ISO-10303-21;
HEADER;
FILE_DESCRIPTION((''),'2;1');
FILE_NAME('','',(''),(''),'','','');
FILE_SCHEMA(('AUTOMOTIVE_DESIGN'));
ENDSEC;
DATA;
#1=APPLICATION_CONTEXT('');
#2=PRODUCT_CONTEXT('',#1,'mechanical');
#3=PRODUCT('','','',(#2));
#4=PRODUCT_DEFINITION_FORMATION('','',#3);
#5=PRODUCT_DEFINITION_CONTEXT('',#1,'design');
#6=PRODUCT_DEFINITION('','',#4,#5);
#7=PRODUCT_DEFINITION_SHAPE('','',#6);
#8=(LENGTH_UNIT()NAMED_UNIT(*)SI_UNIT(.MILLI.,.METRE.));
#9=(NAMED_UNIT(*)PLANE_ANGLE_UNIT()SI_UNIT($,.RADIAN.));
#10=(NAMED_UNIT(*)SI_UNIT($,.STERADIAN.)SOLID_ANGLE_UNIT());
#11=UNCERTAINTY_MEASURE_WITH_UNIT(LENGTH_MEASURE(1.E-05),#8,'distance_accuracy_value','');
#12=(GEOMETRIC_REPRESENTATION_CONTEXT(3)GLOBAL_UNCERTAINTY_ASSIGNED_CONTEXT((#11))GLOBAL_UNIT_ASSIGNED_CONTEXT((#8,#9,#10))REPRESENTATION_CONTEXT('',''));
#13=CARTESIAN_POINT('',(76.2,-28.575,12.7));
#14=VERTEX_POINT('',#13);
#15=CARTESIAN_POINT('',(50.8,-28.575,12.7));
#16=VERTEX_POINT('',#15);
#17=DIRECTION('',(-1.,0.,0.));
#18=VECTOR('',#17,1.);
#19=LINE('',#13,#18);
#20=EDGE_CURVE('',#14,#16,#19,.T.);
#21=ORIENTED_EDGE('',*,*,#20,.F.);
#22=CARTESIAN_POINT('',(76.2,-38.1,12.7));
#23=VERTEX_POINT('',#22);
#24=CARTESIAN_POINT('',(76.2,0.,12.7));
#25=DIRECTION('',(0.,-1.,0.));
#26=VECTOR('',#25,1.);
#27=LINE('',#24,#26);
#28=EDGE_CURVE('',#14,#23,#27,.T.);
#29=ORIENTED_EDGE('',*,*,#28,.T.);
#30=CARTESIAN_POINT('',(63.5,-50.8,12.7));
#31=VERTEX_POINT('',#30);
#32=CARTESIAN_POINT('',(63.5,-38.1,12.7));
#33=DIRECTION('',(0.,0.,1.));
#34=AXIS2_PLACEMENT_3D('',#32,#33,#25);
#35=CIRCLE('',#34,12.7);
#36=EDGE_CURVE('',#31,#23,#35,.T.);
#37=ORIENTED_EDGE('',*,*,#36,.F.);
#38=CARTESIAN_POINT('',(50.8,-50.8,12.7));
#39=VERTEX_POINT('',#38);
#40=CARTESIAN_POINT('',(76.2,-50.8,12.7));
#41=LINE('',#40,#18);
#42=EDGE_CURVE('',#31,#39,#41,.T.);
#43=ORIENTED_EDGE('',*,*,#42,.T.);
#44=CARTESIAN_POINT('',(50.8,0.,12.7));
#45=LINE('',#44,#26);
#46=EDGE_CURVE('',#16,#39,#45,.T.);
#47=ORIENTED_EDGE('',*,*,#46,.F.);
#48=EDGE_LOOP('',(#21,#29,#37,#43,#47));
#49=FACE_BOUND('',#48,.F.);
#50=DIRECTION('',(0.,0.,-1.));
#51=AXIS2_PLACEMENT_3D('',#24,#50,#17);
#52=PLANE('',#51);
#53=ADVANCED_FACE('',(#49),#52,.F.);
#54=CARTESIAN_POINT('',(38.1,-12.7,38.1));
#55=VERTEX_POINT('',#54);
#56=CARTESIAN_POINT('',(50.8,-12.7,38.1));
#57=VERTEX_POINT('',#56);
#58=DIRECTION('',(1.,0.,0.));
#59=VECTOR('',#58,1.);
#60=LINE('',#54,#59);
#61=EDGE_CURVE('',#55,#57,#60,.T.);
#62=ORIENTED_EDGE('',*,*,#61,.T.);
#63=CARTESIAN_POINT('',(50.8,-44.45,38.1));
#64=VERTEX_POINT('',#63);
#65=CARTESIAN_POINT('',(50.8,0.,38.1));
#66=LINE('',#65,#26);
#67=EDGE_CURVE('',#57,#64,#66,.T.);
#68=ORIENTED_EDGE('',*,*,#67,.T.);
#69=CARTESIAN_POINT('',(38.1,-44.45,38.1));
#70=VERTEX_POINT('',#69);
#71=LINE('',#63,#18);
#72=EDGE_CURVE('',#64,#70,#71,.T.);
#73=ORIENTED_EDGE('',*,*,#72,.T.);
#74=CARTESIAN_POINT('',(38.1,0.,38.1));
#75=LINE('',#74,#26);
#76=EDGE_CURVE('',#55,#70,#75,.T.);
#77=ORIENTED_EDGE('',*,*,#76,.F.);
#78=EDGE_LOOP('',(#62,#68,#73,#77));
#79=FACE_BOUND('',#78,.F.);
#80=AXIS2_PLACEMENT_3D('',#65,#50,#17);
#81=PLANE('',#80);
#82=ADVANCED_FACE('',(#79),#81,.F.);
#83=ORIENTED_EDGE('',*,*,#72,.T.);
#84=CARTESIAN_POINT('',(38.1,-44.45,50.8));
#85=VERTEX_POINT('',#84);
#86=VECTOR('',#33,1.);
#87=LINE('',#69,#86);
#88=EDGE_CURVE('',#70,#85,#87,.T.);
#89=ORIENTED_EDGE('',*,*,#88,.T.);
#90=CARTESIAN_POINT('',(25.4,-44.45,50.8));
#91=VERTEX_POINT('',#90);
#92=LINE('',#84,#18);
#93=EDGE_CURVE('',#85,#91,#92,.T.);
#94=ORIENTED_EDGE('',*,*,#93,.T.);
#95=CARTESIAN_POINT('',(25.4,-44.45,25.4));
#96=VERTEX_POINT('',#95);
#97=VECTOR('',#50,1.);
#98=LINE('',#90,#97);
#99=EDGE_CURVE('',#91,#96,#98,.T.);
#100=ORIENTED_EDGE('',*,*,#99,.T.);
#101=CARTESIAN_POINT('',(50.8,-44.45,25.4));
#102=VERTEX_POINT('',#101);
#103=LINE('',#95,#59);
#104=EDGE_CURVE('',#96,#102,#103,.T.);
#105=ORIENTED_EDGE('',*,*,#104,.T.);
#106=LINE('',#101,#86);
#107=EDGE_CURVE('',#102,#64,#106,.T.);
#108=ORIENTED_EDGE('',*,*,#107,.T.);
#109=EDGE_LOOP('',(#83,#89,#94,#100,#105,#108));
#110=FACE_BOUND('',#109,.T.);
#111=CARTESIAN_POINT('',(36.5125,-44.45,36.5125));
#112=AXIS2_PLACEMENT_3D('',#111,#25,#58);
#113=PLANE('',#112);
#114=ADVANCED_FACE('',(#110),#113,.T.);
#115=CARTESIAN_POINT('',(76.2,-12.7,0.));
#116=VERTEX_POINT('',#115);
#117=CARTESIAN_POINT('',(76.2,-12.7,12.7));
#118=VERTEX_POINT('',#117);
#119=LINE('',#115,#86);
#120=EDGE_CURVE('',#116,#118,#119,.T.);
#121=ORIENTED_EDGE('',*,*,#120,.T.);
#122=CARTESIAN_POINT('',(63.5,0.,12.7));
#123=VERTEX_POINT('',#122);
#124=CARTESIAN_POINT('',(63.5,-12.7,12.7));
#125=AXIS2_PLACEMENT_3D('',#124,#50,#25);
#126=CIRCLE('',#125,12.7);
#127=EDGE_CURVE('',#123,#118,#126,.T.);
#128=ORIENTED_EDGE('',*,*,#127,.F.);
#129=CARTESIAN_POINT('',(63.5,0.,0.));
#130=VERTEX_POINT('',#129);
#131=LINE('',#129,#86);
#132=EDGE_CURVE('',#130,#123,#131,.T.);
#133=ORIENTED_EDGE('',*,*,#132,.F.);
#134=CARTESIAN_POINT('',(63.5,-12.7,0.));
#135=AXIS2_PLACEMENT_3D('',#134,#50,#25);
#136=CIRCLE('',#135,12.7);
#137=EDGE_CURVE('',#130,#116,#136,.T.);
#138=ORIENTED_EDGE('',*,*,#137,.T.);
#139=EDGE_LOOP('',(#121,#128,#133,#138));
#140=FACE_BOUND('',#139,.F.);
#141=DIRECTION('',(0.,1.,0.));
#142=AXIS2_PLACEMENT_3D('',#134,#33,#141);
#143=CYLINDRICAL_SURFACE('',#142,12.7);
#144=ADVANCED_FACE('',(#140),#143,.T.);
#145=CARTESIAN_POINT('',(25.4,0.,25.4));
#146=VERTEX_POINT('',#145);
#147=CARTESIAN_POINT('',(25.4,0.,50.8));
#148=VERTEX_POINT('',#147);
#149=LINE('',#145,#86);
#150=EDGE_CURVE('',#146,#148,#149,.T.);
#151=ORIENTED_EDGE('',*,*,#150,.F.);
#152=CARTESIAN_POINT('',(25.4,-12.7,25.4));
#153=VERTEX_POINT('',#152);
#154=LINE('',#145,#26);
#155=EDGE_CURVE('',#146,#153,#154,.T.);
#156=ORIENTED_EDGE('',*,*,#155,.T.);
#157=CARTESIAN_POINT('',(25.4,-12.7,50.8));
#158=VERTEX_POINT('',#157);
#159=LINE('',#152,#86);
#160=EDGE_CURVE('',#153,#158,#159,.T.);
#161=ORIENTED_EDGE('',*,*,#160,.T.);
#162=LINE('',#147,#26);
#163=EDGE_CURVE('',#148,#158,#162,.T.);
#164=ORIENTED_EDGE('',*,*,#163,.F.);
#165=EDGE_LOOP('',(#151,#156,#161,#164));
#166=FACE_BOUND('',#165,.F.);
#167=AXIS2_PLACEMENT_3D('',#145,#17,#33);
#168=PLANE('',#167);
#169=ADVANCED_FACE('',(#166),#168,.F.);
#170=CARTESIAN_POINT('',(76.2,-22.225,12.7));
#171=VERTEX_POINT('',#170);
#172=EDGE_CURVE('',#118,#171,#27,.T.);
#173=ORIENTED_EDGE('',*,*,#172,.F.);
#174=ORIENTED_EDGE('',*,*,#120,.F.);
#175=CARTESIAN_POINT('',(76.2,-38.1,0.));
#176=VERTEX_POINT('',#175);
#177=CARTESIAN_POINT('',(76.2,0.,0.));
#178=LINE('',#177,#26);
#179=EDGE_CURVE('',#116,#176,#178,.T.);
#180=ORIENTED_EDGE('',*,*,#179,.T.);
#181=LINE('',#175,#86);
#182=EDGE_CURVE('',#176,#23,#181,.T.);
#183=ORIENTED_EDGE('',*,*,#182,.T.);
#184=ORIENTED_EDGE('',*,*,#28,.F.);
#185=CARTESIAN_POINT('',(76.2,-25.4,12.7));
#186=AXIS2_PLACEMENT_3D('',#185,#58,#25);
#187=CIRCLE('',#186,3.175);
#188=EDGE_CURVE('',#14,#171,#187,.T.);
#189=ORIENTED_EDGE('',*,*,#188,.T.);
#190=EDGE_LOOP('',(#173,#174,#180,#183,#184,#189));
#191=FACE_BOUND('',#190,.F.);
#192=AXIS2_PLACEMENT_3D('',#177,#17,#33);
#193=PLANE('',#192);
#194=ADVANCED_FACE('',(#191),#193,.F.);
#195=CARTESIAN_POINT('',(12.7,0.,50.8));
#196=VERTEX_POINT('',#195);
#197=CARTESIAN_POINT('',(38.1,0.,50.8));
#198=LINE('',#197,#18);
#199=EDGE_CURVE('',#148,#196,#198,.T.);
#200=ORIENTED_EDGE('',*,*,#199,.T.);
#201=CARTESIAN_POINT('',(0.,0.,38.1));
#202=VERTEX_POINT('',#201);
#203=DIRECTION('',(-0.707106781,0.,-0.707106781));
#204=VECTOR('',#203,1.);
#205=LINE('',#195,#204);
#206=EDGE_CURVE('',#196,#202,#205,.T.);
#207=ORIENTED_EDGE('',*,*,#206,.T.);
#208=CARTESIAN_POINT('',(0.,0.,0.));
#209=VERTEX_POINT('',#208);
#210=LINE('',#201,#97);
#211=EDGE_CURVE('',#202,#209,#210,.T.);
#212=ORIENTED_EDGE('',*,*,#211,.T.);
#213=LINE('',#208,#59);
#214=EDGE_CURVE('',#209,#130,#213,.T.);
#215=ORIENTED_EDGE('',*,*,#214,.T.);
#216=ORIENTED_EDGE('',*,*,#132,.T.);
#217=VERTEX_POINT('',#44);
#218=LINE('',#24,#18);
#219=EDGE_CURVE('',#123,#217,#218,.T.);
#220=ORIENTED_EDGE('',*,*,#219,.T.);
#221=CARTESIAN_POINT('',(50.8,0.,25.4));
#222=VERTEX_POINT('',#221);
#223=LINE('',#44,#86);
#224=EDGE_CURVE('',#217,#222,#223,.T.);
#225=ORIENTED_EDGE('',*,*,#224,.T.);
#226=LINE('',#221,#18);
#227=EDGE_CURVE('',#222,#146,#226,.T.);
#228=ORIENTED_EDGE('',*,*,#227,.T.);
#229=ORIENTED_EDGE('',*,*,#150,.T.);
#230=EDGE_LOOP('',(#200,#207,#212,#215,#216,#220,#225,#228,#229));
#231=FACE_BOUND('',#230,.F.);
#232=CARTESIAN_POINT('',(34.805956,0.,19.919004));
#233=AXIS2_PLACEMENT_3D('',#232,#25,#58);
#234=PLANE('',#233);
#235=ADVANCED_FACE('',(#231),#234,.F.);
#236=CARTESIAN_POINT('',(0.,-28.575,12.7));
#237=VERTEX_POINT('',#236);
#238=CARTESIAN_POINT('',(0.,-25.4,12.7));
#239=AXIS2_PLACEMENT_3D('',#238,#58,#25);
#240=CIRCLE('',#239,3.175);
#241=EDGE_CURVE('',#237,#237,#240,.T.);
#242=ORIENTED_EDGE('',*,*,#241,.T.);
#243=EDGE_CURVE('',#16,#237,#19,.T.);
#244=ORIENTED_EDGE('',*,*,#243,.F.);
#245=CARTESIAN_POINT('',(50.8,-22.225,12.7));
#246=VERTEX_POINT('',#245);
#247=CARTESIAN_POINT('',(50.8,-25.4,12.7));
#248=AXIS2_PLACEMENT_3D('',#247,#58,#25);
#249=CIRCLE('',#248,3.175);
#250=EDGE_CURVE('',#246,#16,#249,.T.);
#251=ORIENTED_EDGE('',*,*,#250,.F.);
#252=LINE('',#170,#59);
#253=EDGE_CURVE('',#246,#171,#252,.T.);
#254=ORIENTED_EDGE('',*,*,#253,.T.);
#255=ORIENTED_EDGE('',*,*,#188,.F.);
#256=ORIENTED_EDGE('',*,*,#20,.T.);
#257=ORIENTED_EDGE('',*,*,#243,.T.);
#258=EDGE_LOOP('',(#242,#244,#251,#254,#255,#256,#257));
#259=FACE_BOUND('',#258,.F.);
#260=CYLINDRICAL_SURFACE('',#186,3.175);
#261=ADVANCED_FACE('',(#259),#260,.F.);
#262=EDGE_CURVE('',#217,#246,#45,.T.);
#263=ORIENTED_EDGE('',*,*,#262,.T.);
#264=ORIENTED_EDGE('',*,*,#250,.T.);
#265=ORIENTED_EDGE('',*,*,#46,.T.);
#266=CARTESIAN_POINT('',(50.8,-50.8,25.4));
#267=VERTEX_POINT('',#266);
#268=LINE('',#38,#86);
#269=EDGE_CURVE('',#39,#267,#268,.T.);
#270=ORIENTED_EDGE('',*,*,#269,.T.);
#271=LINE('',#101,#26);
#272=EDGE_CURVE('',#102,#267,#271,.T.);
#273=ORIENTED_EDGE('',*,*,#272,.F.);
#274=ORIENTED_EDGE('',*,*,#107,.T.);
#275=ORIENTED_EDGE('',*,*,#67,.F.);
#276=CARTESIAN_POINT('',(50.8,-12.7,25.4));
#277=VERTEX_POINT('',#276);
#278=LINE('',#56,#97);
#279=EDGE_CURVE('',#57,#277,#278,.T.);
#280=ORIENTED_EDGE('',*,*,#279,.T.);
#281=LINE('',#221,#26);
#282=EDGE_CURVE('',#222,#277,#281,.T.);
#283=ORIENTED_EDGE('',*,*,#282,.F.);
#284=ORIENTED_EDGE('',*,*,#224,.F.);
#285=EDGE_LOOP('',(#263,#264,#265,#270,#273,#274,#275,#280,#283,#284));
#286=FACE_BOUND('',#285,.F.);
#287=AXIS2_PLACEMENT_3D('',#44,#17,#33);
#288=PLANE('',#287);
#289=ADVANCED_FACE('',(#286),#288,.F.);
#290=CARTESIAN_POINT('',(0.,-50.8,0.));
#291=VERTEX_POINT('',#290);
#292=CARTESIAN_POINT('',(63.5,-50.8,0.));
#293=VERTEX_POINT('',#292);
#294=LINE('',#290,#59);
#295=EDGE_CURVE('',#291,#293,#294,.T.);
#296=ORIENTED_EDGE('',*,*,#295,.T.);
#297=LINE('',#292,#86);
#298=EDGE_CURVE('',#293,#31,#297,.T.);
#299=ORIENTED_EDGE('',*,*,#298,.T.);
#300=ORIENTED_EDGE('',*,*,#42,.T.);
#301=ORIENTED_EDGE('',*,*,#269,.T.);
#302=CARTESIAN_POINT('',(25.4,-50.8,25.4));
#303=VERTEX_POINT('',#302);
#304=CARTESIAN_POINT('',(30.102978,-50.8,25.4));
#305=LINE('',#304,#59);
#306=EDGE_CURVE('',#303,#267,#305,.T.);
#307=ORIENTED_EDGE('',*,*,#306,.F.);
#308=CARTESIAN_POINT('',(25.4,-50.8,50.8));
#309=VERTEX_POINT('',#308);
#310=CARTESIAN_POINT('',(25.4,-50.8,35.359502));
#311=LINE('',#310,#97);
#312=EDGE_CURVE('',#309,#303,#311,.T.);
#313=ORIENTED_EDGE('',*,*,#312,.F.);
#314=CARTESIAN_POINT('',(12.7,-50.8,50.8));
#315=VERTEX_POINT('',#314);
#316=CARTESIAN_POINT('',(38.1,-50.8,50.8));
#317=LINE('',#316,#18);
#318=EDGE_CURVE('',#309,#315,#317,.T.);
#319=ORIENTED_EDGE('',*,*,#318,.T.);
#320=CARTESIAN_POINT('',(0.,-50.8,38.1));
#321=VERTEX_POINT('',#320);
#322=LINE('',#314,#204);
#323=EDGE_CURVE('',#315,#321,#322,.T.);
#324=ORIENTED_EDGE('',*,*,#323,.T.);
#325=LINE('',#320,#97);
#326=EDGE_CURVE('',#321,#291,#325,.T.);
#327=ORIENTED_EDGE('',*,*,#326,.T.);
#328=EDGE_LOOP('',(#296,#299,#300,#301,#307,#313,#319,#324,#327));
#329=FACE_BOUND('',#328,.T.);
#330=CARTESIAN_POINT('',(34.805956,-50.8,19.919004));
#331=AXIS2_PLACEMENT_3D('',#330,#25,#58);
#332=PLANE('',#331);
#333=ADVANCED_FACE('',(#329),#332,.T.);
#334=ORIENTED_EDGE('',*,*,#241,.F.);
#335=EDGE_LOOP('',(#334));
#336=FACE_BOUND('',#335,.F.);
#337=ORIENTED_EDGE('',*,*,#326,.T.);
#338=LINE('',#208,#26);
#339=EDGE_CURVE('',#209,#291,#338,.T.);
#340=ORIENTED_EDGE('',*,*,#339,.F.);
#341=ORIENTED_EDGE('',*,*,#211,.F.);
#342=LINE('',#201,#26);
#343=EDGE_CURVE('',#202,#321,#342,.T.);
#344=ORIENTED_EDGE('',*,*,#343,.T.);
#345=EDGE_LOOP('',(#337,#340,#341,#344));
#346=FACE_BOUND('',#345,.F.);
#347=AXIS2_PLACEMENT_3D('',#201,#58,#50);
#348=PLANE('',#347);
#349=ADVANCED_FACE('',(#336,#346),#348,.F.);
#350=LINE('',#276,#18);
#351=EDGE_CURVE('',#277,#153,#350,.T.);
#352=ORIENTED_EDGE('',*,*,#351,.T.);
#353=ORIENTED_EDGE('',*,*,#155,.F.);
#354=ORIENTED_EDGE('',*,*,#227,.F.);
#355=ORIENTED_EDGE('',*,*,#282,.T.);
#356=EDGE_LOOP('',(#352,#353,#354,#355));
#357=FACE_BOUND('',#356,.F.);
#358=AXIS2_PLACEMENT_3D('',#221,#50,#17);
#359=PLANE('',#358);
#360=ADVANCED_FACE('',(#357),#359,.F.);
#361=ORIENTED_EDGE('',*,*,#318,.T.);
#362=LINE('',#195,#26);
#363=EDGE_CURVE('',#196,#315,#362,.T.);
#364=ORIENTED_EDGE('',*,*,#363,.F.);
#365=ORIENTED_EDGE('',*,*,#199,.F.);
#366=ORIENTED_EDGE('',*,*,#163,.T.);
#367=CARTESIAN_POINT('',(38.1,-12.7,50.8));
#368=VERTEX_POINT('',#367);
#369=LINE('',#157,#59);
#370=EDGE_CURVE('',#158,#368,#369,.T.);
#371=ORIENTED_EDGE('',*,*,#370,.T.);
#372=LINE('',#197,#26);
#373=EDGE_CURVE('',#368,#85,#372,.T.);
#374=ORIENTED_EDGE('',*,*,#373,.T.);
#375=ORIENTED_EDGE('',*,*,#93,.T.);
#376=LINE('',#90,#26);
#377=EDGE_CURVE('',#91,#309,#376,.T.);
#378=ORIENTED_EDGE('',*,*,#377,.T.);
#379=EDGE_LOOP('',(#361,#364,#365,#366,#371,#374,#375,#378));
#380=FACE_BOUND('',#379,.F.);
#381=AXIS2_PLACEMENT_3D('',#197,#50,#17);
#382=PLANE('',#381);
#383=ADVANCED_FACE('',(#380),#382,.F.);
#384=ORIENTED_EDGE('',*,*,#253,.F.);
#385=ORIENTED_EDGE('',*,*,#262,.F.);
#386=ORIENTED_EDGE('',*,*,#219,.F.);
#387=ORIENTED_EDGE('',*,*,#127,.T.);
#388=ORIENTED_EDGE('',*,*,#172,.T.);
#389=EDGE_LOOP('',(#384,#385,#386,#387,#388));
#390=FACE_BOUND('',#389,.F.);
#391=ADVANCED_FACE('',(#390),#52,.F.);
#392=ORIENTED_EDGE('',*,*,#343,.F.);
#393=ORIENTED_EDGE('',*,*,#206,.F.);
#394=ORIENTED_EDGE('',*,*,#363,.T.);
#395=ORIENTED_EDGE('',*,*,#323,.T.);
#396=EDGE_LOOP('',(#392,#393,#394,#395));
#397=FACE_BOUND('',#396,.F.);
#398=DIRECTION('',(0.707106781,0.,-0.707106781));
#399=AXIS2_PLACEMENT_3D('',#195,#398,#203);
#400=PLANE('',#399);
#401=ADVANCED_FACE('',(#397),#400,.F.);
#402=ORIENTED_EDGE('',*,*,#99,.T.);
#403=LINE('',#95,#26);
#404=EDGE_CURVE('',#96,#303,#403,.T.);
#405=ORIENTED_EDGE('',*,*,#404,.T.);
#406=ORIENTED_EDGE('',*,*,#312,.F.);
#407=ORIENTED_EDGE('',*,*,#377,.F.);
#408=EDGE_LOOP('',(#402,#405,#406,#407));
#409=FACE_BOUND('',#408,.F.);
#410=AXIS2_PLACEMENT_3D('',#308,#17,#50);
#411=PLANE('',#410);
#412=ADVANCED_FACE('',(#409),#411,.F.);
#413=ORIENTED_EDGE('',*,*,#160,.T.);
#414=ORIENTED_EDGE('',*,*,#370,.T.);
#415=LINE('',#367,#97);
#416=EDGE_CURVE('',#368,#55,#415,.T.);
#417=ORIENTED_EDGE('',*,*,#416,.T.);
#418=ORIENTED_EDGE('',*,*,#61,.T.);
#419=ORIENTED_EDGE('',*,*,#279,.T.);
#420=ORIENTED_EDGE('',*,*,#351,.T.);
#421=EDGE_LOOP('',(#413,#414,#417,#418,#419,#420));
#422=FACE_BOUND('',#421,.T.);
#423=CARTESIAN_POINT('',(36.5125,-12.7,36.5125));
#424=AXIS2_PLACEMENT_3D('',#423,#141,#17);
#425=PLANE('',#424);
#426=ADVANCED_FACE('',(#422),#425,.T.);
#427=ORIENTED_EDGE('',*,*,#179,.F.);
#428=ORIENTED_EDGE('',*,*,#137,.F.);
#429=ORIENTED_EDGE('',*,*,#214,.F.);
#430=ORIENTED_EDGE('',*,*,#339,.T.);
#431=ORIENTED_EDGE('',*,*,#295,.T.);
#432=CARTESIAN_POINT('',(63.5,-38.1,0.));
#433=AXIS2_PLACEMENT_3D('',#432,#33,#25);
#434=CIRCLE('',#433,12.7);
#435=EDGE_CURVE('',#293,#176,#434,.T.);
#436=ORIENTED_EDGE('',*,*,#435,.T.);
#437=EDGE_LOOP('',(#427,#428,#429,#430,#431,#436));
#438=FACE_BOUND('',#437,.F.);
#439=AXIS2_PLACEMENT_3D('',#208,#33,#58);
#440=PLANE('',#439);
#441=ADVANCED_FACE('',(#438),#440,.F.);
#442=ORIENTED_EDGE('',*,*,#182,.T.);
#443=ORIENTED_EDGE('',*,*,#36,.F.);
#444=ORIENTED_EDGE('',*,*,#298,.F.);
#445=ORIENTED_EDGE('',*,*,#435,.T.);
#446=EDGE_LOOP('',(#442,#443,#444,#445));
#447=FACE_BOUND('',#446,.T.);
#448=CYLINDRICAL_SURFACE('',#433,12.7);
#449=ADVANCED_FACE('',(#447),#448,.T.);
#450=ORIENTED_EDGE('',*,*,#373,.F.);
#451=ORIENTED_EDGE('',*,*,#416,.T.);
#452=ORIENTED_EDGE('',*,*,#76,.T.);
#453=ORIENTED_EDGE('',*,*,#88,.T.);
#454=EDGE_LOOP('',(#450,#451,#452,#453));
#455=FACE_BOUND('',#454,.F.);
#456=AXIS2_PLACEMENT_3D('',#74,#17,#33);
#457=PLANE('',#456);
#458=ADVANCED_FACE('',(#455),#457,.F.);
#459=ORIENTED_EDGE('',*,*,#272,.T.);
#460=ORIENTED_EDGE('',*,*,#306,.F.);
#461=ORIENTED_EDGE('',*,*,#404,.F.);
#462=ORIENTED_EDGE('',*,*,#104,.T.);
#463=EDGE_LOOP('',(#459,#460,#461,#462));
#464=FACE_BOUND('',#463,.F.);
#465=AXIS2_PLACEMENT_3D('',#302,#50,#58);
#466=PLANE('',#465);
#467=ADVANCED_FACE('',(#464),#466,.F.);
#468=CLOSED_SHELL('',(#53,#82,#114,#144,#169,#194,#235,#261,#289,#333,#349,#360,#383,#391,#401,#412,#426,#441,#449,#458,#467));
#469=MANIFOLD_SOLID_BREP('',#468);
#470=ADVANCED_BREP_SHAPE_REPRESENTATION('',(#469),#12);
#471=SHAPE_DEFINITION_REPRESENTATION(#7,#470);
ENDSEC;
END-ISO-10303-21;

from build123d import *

# Parameters (mm, degrees)
F1_DEPTH = 50.8
F3_DEPTH = 6.35
F5_DEPTH = 12.7
F7_DEPTH = 76.2
F8_R     = 12.7


with BuildPart() as f1:
    # F0 (on Front) → F1 (new body)
    with BuildSketch(Plane.XZ):
        Polygon((0, 38.1), (0, 0), (76.2, 0), (76.2, 12.7), (50.8, 12.7), (50.8, 38.1), (38.1, 38.1), (38.1, 50.8), (12.7, 50.8), align=None)
    extrude(amount=F1_DEPTH)

    # F2 (on face) → F3 (cut, symmetric)
    with BuildSketch(Plane.XZ.offset(50.8)):
        Polygon((38.1, 50.8), (25.4, 50.8), (25.4, 25.4), (50.8, 25.4), (50.8, 38.1), (38.1, 38.1), align=None)
    extrude(amount=F3_DEPTH, both=True, mode=Mode.SUBTRACT)

    # F4 (on face) → F5 (cut)
    with BuildSketch(Plane(origin=(0, 0, 0), x_dir=(-1, 0, 0), z_dir=(0, 1, 0))):
        Polygon((-25.4, 25.4), (-25.4, 50.8), (-38.1, 50.8), (-38.1, 38.1), (-50.8, 38.1), (-50.8, 25.4), align=None)
    extrude(amount=-F5_DEPTH, mode=Mode.SUBTRACT)

    # F6 (on face) → F7 (cut)
    with BuildSketch(Plane.YZ.offset(76.2)):
        with BuildLine():
            Line((-28.575, 12.7), (-22.225, 12.7))
            ThreePointArc((-22.225, 12.7), (-25.4, 15.875), (-28.575, 12.7))
        make_face()
        with BuildLine():
            ThreePointArc((-28.575, 12.7), (-25.4, 9.525), (-22.225, 12.7))
            Line((-22.225, 12.7), (-28.575, 12.7))
        make_face()
    extrude(amount=-F7_DEPTH, mode=Mode.SUBTRACT)

    # F8
    f8_edges = [f1.edges().sort_by_distance(p)[0] for p in [
        (76.2, -50.8, 6.35),
        (76.2, 0, 6.35),
    ]]
    fillet(f8_edges, radius=F8_R)


solid = f1.part
